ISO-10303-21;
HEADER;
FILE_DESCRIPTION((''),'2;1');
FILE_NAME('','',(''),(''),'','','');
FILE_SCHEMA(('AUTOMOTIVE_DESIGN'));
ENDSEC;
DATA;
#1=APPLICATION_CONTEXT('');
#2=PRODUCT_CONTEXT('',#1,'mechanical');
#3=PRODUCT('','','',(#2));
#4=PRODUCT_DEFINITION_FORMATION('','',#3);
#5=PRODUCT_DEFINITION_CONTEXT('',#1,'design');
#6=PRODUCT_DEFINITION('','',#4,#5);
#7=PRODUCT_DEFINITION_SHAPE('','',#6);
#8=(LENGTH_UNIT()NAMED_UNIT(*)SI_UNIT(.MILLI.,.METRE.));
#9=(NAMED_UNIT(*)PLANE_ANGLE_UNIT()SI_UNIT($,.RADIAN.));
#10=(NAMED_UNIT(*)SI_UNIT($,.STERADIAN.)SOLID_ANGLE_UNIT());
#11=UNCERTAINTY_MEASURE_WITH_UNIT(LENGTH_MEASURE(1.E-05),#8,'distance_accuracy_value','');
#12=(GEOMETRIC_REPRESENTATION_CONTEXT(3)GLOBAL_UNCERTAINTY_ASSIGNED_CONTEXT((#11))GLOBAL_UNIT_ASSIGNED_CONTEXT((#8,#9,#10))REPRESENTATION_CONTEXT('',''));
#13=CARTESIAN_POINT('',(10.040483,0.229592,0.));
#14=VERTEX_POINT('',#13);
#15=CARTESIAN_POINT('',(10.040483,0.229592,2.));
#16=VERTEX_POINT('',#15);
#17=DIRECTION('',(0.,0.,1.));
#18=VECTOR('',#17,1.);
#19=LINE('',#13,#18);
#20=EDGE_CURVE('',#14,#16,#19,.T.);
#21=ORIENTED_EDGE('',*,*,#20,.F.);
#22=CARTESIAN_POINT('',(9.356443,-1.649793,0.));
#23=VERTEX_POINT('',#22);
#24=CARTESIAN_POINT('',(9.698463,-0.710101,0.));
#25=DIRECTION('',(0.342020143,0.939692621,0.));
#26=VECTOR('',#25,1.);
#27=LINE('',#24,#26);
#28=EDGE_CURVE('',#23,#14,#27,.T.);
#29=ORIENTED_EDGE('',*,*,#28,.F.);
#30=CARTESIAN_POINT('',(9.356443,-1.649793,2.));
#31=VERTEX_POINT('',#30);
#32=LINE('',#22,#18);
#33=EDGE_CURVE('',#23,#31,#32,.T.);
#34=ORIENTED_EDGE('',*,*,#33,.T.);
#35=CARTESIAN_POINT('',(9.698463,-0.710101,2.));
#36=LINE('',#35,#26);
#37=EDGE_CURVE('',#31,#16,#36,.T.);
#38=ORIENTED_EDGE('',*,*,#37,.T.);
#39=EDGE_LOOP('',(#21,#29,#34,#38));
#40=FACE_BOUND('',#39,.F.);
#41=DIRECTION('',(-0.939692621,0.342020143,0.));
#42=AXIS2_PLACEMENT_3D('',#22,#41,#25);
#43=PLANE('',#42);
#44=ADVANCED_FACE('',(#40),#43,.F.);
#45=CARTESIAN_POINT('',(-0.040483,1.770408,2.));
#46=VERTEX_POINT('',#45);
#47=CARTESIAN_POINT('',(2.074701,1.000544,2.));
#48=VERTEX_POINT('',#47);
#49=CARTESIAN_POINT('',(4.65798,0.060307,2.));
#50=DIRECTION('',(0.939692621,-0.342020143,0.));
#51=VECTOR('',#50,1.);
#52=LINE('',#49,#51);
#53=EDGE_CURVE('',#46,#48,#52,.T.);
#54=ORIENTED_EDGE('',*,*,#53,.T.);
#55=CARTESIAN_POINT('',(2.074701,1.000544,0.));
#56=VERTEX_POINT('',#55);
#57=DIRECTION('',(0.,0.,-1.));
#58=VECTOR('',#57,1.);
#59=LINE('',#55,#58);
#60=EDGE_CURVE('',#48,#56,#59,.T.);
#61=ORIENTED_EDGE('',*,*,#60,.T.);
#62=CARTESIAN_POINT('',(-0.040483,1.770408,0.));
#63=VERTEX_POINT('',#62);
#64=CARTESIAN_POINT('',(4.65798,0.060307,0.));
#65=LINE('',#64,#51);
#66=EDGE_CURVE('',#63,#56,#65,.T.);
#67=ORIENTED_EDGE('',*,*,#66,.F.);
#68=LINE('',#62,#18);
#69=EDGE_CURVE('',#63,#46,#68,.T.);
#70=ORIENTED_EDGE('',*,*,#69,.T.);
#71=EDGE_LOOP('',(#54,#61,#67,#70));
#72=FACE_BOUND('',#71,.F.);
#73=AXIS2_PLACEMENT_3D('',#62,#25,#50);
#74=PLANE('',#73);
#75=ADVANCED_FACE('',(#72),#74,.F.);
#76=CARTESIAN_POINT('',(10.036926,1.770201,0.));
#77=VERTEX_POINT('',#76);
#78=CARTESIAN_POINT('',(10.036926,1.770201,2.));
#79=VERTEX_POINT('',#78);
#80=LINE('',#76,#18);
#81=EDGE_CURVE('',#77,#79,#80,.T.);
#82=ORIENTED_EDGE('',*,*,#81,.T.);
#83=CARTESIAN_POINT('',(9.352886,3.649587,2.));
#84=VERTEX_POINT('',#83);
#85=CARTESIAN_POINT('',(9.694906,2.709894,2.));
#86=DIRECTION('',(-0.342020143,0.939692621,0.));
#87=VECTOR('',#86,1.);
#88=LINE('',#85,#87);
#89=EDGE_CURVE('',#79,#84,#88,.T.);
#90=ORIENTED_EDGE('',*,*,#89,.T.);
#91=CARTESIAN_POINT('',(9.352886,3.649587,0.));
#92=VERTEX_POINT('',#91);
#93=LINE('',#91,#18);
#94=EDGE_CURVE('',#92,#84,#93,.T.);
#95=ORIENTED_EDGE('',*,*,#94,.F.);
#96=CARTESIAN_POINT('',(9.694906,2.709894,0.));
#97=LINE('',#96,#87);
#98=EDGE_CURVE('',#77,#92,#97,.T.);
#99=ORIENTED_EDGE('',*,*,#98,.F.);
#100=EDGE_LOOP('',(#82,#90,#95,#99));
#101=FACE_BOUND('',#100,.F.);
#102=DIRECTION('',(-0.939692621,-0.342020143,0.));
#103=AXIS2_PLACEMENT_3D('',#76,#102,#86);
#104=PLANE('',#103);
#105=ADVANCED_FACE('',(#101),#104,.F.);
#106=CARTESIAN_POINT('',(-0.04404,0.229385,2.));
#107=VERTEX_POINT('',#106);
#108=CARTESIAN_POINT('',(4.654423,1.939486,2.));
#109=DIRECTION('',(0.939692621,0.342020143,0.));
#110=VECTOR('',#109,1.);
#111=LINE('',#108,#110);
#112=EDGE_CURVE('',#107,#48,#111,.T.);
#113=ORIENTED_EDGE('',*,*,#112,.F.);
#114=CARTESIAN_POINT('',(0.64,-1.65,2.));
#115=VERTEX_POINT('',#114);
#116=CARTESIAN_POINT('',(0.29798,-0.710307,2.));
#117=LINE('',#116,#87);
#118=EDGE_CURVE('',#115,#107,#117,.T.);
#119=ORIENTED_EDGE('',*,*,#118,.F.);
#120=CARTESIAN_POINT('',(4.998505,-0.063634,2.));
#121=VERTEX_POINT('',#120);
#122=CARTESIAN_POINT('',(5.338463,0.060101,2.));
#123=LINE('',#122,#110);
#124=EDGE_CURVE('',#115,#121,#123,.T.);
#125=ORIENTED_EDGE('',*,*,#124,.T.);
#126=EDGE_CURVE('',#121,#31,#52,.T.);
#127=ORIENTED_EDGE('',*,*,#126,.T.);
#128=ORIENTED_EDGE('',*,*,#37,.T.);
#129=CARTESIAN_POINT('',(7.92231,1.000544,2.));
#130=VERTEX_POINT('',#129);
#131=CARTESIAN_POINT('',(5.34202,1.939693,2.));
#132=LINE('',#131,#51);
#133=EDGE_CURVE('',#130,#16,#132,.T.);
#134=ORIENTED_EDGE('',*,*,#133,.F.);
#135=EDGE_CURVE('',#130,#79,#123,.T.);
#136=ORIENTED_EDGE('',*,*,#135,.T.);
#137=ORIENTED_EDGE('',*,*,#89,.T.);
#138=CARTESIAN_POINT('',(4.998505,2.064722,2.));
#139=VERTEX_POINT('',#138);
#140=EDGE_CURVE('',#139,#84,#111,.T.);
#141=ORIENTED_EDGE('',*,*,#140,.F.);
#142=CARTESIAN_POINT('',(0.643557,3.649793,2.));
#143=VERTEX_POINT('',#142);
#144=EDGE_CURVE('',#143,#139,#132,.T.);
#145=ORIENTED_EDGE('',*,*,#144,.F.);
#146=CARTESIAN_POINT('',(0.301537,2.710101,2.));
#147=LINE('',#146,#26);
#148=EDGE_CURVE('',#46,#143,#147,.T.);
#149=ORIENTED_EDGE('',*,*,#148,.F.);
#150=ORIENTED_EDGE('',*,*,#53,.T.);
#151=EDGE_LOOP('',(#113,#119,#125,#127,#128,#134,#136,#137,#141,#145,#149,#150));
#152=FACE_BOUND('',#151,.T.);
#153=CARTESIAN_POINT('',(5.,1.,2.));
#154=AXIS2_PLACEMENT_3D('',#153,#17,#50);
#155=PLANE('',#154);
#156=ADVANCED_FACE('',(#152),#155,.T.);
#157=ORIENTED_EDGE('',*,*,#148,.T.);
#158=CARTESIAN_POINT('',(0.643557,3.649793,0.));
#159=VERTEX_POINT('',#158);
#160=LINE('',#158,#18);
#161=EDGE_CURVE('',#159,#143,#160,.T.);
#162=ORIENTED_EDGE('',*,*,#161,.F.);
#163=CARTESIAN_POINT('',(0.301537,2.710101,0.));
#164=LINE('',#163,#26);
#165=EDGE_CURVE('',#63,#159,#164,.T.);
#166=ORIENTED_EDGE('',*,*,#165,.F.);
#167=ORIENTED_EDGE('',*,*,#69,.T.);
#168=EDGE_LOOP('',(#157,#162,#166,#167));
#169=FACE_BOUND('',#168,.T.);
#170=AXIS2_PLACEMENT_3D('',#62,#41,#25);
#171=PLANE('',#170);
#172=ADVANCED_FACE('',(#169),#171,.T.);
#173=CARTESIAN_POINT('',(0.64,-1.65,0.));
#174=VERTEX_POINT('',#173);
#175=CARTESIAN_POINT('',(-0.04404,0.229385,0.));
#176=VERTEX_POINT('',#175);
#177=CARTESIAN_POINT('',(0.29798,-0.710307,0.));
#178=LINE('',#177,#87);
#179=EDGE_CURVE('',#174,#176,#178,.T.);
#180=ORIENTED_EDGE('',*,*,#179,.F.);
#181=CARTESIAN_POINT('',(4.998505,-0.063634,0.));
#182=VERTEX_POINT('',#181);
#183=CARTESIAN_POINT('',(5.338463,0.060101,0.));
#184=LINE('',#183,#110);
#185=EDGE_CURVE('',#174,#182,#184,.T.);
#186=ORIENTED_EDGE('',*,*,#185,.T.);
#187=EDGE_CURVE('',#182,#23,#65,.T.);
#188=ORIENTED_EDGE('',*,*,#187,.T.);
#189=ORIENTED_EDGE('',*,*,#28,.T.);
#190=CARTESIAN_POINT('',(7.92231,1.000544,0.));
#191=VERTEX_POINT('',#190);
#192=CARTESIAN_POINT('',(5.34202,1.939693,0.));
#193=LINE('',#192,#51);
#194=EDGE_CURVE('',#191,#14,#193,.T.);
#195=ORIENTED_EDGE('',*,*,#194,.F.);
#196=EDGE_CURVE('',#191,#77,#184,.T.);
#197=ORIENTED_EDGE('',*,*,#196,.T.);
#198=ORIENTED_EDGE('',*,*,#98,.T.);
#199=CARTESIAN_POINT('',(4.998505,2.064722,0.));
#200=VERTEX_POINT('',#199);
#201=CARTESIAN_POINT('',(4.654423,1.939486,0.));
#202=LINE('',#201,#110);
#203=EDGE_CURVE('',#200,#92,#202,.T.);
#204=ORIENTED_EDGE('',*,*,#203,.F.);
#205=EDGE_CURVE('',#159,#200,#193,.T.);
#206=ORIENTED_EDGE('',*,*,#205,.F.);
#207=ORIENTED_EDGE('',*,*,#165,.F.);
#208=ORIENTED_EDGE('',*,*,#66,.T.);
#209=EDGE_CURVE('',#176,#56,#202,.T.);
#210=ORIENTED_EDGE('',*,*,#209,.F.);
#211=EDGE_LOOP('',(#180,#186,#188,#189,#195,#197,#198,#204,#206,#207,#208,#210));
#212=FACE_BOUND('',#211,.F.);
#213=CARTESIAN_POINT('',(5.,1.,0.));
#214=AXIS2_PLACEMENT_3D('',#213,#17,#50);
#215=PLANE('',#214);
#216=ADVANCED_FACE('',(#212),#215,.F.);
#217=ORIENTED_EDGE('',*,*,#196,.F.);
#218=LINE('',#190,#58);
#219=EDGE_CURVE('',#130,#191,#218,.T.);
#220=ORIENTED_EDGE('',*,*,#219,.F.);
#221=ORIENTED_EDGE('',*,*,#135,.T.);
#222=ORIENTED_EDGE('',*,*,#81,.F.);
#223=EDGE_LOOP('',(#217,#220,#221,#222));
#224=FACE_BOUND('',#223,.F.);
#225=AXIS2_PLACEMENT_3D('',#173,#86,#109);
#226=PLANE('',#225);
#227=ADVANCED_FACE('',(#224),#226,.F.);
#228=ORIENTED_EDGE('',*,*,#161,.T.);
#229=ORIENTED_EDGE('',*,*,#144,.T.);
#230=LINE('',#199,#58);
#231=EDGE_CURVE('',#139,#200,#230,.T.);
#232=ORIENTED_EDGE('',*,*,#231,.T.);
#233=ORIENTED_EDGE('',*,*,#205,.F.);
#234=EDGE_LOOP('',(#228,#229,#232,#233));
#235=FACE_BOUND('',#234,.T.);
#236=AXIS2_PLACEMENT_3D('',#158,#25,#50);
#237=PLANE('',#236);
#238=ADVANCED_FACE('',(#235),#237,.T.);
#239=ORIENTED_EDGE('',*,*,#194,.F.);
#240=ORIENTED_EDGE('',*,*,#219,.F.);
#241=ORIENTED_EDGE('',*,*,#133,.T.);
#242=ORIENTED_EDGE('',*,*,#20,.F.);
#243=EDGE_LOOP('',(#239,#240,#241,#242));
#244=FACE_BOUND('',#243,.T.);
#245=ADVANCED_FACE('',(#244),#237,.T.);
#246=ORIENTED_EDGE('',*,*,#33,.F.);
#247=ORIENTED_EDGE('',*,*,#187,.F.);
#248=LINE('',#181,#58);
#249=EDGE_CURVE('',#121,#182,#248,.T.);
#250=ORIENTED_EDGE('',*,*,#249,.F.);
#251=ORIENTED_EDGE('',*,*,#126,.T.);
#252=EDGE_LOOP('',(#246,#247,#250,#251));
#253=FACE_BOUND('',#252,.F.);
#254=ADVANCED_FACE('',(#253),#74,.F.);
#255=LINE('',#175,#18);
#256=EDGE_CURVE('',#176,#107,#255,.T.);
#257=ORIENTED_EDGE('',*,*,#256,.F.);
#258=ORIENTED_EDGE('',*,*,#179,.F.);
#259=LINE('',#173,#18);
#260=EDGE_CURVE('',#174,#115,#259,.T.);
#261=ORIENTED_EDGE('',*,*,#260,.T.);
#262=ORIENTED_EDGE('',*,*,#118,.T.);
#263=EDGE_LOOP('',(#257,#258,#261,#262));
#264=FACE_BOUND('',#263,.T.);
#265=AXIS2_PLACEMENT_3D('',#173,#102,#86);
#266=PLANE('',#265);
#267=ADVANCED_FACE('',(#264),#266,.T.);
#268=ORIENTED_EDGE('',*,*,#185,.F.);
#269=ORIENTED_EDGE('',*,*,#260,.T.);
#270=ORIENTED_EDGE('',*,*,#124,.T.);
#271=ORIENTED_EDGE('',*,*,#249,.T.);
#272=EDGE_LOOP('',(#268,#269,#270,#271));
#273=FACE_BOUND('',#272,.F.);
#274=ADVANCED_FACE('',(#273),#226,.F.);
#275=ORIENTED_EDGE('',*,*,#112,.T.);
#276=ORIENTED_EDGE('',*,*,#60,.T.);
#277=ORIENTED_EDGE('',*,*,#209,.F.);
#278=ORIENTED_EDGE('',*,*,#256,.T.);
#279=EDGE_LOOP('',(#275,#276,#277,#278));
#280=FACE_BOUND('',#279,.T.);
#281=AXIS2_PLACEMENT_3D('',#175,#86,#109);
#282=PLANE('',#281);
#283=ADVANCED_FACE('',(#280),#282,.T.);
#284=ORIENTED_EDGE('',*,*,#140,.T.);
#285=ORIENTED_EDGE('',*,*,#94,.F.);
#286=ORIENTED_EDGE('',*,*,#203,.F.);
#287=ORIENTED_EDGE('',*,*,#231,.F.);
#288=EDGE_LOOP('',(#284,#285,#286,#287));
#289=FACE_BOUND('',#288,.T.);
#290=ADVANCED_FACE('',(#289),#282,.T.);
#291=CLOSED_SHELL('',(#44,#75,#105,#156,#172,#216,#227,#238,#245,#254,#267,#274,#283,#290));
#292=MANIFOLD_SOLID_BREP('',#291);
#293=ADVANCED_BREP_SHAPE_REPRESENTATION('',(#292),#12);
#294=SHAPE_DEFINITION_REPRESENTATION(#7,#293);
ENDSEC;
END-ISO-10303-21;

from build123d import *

# Parameters (mm, degrees)
BOX001_W               = 10
BOX001_H               = 2
BOX001_DEPTH           = 2
BOX001_PLACEMENT_ANGLE = 340
BOX_W                  = 10
BOX_H                  = 2
BOX_DEPTH              = 2
BOX_PLACEMENT_ANGLE    = 20


with BuildPart() as cube001:
    # Box001 → Box001 (new body)
    with BuildSketch(Plane.XY):
        with Locations((5, 1)):
            Rectangle(BOX001_W, BOX001_H)
    extrude(amount=BOX001_DEPTH)


with BuildPart() as cube001_1:
    # Box001 placement: moved
    add(cube001.part.moved(Location((-0.040483, 1.770408, 0))).rotate(Axis((-0.040483, 1.770408, 0), (0, 0, 1)), BOX001_PLACEMENT_ANGLE))


with BuildPart() as fusion:
    # Box → Box (new body)
    with BuildSketch(Plane.XY):
        with Locations((5, 1)):
            Rectangle(BOX_W, BOX_H)
    extrude(amount=BOX_DEPTH)


with BuildPart() as fusion_1:
    # Box placement: moved
    add(fusion.part.moved(Location((0.64, -1.65, 0))).rotate(Axis((0.64, -1.65, 0), (0, 0, 1)), BOX_PLACEMENT_ANGLE))

    # Fusion: union Cube001
    add(cube001_1.part)


solid = fusion_1.part
